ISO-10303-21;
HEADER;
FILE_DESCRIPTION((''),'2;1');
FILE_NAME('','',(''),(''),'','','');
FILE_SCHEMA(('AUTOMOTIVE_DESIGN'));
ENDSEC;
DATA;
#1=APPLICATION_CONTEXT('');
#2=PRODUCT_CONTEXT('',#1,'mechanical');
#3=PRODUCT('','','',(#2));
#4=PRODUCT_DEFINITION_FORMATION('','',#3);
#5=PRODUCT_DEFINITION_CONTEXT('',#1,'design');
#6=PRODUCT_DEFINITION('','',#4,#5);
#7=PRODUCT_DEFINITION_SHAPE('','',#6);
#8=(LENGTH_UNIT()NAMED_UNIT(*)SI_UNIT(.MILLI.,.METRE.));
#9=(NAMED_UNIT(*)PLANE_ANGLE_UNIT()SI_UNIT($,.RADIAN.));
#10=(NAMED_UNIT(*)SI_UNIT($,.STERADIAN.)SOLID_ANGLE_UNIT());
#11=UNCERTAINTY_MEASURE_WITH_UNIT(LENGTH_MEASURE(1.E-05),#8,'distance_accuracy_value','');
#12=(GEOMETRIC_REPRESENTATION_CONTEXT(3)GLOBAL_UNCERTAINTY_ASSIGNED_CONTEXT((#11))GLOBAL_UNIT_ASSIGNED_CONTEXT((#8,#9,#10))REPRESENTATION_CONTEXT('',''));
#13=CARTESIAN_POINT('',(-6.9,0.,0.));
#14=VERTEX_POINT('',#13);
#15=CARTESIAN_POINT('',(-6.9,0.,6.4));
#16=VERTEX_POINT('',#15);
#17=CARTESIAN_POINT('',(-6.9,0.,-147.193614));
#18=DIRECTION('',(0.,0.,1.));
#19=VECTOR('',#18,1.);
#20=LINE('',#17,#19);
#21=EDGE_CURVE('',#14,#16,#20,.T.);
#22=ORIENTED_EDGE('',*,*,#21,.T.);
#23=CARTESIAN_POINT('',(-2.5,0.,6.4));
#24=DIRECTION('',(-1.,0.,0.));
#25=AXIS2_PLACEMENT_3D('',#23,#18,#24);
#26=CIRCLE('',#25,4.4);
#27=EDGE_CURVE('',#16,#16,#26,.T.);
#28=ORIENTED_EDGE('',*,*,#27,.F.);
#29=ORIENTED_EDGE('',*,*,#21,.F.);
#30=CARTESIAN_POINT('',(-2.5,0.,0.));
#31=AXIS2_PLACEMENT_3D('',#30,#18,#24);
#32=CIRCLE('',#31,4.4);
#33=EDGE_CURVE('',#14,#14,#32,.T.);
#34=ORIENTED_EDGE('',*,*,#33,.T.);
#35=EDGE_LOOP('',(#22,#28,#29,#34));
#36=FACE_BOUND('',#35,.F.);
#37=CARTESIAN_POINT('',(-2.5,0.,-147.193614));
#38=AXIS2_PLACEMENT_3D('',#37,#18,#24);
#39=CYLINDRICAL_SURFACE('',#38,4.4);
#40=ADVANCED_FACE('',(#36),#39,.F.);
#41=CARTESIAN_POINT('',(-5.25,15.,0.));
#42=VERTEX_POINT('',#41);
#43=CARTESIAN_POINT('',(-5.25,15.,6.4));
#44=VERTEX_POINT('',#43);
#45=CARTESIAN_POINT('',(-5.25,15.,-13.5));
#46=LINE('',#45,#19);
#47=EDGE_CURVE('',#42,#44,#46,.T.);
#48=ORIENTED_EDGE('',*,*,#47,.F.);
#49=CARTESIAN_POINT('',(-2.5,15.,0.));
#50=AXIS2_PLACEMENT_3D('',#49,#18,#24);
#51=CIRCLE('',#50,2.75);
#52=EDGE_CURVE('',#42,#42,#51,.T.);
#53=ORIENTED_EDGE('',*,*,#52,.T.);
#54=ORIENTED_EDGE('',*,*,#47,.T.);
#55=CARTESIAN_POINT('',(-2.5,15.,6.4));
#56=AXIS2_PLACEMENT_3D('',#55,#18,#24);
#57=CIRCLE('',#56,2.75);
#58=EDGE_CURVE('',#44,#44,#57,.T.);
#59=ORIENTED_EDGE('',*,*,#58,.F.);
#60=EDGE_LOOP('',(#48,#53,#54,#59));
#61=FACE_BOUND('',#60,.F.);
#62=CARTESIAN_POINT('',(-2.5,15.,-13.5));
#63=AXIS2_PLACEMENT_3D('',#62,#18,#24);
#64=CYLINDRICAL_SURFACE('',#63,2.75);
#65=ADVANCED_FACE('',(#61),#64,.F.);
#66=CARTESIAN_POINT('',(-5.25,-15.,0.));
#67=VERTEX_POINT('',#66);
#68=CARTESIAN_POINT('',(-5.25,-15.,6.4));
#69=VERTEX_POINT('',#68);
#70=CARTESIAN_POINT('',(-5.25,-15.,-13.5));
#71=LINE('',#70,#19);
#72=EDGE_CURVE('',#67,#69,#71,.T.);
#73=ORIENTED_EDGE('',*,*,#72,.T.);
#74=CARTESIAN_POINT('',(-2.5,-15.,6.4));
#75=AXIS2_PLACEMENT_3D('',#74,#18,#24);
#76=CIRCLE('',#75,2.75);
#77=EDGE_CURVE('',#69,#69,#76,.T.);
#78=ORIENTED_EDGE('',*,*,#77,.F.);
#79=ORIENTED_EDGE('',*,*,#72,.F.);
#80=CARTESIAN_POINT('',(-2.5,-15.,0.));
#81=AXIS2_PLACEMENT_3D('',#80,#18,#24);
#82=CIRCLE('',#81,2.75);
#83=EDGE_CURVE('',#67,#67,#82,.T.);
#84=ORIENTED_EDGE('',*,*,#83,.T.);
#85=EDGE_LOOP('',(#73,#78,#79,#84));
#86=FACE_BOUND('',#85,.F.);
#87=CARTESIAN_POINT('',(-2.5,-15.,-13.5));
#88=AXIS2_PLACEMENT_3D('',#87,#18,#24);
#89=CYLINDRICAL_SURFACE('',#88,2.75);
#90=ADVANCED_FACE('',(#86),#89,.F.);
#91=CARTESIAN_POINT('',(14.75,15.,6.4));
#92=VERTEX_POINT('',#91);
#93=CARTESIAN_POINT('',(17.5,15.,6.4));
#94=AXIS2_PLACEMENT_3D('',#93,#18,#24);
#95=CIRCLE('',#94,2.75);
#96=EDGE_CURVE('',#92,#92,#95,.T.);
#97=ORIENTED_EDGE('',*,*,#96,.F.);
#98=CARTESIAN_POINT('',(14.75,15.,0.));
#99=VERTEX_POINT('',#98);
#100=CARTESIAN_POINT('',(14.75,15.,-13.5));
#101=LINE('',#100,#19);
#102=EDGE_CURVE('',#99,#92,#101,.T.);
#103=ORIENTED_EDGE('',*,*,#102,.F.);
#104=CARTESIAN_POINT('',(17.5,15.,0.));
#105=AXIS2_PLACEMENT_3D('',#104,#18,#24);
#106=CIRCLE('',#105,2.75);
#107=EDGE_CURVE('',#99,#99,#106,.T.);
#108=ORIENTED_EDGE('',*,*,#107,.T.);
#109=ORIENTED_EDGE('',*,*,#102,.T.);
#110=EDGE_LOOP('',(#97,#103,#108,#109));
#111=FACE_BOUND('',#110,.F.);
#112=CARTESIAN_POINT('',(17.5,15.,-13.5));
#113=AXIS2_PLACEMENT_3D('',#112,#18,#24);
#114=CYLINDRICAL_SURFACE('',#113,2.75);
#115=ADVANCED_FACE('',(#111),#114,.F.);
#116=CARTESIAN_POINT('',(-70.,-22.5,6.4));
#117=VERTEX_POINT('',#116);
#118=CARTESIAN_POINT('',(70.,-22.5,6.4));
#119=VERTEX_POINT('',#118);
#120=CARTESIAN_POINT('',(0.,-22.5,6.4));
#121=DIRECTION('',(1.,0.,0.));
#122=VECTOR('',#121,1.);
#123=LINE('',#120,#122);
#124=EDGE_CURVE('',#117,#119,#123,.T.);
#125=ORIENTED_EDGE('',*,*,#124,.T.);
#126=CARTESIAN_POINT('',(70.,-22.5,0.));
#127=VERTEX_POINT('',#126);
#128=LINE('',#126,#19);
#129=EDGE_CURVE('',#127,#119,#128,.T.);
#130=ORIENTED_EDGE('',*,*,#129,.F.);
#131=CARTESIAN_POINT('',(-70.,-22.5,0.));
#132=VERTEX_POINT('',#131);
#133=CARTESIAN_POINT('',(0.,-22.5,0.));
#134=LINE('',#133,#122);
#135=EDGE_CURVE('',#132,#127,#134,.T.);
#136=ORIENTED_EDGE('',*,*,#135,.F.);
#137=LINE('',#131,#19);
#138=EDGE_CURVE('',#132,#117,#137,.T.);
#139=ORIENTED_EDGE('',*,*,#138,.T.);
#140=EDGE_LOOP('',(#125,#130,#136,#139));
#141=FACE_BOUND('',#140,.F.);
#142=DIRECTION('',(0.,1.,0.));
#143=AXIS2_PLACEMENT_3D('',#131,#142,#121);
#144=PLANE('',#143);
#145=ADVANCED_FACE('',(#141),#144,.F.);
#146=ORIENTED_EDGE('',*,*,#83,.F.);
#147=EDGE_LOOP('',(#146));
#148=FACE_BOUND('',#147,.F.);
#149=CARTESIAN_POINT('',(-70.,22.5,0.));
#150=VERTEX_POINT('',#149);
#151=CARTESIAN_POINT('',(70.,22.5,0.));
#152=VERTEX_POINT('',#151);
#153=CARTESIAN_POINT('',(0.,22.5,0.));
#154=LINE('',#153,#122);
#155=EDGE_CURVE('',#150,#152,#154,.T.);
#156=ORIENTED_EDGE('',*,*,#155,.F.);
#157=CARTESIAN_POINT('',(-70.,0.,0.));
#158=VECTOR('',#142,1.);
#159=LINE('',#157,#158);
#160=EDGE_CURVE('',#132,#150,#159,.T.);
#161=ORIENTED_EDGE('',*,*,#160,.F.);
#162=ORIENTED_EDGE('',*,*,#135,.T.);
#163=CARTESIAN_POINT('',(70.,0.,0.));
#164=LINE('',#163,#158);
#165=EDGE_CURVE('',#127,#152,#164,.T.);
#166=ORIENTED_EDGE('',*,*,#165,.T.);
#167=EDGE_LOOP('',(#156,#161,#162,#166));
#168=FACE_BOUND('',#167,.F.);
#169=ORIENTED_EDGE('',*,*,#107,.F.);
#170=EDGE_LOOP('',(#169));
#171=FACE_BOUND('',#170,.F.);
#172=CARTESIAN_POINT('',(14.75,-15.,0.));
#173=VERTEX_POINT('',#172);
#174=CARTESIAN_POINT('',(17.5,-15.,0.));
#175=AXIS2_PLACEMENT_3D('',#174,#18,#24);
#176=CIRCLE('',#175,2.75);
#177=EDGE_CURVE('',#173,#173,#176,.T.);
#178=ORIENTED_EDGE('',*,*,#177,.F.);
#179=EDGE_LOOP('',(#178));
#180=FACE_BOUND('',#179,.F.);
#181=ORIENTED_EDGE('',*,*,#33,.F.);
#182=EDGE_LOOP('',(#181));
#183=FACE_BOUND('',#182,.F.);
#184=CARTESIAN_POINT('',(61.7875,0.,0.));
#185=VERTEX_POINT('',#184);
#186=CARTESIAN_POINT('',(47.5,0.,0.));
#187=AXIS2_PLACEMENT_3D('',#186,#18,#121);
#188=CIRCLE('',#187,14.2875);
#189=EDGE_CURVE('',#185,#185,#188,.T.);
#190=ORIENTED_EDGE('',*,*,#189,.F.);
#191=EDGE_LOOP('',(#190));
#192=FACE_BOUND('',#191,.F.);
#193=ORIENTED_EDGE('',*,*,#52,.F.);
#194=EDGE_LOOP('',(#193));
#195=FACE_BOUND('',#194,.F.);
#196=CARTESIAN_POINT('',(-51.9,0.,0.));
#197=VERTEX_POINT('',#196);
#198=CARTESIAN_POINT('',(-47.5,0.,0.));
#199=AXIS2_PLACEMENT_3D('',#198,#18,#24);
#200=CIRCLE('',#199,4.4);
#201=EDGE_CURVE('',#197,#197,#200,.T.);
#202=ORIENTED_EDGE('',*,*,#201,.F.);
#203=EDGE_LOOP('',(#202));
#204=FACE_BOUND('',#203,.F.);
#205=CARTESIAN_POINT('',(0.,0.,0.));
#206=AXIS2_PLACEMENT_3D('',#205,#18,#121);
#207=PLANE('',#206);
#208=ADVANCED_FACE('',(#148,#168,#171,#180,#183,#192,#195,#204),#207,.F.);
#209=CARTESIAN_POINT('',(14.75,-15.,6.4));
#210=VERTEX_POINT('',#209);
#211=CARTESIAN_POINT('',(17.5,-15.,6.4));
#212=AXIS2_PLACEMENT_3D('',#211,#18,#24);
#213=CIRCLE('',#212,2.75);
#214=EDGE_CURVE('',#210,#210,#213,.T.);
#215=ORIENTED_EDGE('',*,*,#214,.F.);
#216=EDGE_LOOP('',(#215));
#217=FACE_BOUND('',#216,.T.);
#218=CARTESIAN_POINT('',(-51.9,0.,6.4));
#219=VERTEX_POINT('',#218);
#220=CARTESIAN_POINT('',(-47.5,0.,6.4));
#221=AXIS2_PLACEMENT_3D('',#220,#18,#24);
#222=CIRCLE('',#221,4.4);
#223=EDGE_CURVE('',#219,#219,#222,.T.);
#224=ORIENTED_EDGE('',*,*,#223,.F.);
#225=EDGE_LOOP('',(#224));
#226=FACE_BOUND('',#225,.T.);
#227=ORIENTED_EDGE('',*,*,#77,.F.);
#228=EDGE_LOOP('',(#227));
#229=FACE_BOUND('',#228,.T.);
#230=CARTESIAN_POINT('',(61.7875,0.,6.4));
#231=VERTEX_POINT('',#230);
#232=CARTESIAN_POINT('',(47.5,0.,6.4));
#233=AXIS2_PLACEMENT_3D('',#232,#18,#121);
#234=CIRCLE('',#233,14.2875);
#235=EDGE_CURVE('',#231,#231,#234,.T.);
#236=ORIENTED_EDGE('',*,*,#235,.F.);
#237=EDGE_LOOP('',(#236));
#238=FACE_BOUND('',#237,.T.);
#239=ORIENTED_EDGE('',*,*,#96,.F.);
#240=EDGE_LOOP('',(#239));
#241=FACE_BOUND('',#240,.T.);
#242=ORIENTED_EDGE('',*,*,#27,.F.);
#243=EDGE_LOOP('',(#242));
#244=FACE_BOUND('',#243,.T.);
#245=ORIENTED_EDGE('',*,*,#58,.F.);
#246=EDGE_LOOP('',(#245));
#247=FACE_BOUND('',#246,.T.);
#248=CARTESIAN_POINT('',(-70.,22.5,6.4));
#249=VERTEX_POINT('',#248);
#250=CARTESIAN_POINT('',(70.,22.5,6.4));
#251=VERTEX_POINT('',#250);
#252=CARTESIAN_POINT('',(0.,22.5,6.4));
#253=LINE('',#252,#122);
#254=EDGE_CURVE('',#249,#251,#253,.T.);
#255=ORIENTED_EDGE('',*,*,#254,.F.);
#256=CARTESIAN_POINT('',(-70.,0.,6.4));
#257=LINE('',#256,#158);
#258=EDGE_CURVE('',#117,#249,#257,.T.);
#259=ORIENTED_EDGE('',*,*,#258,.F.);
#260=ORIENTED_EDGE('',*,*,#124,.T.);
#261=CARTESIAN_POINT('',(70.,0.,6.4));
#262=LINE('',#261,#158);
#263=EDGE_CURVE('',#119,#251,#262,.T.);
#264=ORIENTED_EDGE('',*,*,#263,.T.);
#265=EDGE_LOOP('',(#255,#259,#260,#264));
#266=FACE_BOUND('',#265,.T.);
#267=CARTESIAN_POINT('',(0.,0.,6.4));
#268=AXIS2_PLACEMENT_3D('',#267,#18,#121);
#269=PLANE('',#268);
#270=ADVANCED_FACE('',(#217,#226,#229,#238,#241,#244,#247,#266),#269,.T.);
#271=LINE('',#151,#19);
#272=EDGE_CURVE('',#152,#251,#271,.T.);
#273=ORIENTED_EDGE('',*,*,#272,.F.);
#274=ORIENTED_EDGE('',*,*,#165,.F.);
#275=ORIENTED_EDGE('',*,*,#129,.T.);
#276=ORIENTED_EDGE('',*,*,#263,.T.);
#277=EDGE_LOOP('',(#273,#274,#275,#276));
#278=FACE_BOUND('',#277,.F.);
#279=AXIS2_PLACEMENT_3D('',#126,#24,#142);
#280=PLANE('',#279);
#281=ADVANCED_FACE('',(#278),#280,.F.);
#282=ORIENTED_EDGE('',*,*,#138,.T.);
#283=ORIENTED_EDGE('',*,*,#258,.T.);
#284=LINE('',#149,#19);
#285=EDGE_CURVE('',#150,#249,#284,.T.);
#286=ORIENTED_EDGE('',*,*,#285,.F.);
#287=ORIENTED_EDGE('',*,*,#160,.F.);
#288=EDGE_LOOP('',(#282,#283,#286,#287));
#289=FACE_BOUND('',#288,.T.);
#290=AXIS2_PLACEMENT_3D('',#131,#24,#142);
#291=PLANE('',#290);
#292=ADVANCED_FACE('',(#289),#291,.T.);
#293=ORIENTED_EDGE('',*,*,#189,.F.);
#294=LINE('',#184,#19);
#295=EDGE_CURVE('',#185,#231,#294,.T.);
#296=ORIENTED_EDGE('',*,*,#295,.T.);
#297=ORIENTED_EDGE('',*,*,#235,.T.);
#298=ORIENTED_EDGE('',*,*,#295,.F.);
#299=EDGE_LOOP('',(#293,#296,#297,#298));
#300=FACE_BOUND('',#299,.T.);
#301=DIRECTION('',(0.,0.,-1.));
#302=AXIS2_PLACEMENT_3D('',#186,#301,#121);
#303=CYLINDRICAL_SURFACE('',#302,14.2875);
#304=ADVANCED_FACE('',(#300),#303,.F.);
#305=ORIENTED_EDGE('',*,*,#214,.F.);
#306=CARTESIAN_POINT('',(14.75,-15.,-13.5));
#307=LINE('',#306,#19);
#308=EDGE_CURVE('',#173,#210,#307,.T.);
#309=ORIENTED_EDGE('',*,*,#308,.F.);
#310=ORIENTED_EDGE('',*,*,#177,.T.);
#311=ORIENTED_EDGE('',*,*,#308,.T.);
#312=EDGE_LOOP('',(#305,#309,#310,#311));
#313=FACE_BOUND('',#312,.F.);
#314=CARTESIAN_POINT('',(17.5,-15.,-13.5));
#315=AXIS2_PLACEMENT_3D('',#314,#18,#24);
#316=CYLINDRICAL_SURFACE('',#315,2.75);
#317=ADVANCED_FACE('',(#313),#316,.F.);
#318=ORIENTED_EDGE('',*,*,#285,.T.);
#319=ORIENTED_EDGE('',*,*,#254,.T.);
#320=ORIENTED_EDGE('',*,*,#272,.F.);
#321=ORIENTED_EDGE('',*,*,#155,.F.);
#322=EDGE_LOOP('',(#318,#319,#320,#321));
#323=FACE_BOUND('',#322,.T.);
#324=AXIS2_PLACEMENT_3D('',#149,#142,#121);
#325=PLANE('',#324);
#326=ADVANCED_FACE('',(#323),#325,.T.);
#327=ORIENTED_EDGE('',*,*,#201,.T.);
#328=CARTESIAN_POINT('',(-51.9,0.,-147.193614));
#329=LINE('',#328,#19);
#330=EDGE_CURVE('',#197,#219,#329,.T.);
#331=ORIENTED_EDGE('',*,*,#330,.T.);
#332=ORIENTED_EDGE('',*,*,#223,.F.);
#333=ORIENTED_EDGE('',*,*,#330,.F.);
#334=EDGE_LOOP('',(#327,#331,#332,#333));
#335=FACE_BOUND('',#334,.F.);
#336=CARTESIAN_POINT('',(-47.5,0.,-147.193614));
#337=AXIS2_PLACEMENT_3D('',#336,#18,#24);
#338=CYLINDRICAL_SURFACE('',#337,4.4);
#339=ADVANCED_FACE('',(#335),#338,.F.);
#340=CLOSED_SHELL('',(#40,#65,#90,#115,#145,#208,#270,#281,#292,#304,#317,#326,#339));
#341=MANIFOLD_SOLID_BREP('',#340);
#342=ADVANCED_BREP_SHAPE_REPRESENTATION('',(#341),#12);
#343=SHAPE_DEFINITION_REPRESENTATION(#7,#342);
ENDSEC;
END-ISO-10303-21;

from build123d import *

# Parameters (mm, degrees)
F0_W     = 140
F0_H     = 45
F0_R     = 14.2875
F1_DEPTH = 6.4
F3_D     = 8.8
F5_D     = 5.5
F5_DEPTH = 13.5
F5_TIP   = 1.6523667023


with BuildPart() as f1:
    # F0 (on Top) → F1 (new body)
    with BuildSketch(Plane.XY):
        Rectangle(F0_W, F0_H)
        with Locations((47.5, 0)):
            Circle(F0_R, mode=Mode.SUBTRACT)
    extrude(amount=F1_DEPTH)

    # F3 (through all)
    with Locations(Plane(origin=(0, 0, 0), x_dir=(1, 0, 0), z_dir=(0, 0, -1))):
        with Locations((-47.5, 0), (-2.5, 0)):
            Hole(F3_D / 2)

    # F5
    with Locations(Plane(origin=(0, 0, 0), x_dir=(1, 0, 0), z_dir=(0, 0, -1))):
        with Locations((-2.5, -15), (17.5, -15), (17.5, 15), (-2.5, 15)):
            Hole(F5_D / 2, depth=F5_DEPTH)
            with Locations((0, 0, -(F5_DEPTH + F5_TIP / 2))):  # 118° drill point
                Cone(0, F5_D / 2, F5_TIP, mode=Mode.SUBTRACT)


solid = f1.part
